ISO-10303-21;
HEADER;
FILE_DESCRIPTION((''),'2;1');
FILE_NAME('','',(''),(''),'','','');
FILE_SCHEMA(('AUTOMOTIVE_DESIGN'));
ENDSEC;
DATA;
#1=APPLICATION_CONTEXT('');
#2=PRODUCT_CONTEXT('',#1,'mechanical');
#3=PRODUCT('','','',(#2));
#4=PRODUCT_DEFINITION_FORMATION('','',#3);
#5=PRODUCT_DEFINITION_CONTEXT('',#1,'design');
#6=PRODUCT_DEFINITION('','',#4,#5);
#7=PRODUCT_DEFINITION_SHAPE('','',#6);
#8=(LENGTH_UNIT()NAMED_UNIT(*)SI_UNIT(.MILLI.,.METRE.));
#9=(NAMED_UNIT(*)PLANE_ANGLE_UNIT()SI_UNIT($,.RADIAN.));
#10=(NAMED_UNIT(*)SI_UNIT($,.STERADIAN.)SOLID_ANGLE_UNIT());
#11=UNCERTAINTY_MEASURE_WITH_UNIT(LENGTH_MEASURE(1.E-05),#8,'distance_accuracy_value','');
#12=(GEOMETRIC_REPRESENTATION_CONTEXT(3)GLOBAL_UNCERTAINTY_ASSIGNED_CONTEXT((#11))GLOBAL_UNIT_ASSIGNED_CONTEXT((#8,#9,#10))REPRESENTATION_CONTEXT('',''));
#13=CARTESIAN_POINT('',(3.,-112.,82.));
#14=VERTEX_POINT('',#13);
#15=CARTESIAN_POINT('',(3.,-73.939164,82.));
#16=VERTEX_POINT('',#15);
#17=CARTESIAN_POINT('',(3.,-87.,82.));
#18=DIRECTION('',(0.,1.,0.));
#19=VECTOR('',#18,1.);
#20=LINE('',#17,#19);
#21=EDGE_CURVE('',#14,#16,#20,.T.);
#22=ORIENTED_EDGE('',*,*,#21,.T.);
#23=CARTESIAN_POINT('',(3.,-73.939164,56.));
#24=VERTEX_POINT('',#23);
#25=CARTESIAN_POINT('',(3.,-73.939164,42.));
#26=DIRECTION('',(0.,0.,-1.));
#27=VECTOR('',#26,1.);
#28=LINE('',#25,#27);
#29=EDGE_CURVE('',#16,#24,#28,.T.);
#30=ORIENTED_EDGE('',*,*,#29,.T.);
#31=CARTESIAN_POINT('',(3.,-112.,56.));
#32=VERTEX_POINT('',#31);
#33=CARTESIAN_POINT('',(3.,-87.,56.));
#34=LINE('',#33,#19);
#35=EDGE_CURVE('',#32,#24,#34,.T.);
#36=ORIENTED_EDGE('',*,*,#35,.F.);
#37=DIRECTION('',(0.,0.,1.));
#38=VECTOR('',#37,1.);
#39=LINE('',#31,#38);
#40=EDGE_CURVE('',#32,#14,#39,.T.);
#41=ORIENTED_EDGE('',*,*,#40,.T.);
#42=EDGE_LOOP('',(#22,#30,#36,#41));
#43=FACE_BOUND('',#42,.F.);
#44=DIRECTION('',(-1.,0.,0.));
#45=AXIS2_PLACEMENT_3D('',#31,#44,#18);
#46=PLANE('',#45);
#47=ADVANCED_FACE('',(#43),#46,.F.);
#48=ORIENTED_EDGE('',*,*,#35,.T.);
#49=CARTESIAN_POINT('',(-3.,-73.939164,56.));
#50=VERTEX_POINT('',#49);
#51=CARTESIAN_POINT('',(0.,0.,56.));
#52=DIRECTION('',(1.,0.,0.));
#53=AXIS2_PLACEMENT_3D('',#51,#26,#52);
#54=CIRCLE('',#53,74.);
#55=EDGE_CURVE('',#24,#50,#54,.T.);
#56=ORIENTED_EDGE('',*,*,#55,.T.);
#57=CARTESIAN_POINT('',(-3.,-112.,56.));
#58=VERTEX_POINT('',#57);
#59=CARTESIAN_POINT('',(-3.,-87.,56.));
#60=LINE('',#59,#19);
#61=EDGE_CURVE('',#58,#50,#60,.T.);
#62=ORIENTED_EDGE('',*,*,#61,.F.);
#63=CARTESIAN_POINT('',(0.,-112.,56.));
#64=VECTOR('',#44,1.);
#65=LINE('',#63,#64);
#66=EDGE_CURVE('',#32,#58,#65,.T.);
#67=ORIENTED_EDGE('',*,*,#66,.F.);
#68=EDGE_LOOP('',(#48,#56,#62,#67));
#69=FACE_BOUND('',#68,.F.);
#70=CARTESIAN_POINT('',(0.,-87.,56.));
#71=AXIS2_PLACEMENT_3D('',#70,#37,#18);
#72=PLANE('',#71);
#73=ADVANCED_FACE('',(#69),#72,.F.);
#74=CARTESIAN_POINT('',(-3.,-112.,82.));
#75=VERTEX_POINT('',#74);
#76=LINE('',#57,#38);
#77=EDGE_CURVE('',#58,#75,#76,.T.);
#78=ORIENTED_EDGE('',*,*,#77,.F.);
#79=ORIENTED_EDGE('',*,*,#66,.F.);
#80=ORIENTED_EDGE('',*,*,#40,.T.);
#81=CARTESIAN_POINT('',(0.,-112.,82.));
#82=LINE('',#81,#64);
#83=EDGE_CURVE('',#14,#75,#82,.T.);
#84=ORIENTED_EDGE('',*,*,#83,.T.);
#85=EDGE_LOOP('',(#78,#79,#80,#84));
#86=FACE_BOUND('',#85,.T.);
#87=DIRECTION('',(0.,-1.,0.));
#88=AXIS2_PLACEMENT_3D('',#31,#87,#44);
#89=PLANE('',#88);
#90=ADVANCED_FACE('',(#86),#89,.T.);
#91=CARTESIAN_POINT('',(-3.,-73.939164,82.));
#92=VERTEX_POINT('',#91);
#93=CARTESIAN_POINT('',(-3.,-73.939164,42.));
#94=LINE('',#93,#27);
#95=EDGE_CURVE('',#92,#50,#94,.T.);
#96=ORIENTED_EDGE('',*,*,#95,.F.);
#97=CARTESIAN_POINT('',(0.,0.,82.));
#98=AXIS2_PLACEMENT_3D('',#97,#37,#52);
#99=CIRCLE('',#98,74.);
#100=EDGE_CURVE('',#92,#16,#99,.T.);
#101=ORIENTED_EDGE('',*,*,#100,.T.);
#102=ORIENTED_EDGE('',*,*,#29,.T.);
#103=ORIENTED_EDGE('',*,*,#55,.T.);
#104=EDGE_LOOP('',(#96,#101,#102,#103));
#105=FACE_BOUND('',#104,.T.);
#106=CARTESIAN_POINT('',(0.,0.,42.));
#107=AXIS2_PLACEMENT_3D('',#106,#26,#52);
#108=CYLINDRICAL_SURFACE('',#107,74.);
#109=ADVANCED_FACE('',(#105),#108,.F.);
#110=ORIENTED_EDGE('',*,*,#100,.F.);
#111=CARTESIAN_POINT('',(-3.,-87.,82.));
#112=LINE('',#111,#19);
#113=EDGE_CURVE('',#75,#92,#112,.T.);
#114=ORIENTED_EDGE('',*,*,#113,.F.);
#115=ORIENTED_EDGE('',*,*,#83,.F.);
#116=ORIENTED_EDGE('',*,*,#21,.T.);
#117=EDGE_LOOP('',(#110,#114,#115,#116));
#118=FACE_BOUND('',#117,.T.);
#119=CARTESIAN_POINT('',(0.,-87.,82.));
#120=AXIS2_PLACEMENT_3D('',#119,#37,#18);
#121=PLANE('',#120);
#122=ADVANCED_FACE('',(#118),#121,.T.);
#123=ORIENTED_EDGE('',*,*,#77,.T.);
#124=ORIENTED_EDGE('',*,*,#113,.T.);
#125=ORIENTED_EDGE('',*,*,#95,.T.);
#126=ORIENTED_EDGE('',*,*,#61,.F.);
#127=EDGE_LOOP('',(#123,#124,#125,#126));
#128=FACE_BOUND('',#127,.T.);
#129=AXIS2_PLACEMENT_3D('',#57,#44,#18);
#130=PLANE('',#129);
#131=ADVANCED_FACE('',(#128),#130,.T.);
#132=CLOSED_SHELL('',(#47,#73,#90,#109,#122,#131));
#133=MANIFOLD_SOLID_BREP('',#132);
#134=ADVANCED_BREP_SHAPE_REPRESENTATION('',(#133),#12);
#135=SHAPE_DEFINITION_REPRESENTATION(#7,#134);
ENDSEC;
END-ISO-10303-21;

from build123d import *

# Parameters (mm, degrees)
CYLINDER969_R     = 74
CYLINDER969_DEPTH = 40
BOX480_W          = 50
BOX480_H          = 6
BOX480_DEPTH      = 26


with BuildPart() as v_lec969:
    # Cylinder969 → Cylinder969 (new body)
    with BuildSketch(Plane.XY.offset(42)):
        Circle(CYLINDER969_R)
    extrude(amount=CYLINDER969_DEPTH)


with BuildPart() as cut449:
    # Box480 → Box480 (new body)
    with BuildSketch(Plane(origin=(3, -112, 56), x_dir=(0, 1, 0), z_dir=(0, 0, 1))):
        with Locations((25, 3)):
            Rectangle(BOX480_W, BOX480_H)
    extrude(amount=BOX480_DEPTH)

    # Cut449: cut Válec969
    add(v_lec969.part, mode=Mode.SUBTRACT)


solid = cut449.part
